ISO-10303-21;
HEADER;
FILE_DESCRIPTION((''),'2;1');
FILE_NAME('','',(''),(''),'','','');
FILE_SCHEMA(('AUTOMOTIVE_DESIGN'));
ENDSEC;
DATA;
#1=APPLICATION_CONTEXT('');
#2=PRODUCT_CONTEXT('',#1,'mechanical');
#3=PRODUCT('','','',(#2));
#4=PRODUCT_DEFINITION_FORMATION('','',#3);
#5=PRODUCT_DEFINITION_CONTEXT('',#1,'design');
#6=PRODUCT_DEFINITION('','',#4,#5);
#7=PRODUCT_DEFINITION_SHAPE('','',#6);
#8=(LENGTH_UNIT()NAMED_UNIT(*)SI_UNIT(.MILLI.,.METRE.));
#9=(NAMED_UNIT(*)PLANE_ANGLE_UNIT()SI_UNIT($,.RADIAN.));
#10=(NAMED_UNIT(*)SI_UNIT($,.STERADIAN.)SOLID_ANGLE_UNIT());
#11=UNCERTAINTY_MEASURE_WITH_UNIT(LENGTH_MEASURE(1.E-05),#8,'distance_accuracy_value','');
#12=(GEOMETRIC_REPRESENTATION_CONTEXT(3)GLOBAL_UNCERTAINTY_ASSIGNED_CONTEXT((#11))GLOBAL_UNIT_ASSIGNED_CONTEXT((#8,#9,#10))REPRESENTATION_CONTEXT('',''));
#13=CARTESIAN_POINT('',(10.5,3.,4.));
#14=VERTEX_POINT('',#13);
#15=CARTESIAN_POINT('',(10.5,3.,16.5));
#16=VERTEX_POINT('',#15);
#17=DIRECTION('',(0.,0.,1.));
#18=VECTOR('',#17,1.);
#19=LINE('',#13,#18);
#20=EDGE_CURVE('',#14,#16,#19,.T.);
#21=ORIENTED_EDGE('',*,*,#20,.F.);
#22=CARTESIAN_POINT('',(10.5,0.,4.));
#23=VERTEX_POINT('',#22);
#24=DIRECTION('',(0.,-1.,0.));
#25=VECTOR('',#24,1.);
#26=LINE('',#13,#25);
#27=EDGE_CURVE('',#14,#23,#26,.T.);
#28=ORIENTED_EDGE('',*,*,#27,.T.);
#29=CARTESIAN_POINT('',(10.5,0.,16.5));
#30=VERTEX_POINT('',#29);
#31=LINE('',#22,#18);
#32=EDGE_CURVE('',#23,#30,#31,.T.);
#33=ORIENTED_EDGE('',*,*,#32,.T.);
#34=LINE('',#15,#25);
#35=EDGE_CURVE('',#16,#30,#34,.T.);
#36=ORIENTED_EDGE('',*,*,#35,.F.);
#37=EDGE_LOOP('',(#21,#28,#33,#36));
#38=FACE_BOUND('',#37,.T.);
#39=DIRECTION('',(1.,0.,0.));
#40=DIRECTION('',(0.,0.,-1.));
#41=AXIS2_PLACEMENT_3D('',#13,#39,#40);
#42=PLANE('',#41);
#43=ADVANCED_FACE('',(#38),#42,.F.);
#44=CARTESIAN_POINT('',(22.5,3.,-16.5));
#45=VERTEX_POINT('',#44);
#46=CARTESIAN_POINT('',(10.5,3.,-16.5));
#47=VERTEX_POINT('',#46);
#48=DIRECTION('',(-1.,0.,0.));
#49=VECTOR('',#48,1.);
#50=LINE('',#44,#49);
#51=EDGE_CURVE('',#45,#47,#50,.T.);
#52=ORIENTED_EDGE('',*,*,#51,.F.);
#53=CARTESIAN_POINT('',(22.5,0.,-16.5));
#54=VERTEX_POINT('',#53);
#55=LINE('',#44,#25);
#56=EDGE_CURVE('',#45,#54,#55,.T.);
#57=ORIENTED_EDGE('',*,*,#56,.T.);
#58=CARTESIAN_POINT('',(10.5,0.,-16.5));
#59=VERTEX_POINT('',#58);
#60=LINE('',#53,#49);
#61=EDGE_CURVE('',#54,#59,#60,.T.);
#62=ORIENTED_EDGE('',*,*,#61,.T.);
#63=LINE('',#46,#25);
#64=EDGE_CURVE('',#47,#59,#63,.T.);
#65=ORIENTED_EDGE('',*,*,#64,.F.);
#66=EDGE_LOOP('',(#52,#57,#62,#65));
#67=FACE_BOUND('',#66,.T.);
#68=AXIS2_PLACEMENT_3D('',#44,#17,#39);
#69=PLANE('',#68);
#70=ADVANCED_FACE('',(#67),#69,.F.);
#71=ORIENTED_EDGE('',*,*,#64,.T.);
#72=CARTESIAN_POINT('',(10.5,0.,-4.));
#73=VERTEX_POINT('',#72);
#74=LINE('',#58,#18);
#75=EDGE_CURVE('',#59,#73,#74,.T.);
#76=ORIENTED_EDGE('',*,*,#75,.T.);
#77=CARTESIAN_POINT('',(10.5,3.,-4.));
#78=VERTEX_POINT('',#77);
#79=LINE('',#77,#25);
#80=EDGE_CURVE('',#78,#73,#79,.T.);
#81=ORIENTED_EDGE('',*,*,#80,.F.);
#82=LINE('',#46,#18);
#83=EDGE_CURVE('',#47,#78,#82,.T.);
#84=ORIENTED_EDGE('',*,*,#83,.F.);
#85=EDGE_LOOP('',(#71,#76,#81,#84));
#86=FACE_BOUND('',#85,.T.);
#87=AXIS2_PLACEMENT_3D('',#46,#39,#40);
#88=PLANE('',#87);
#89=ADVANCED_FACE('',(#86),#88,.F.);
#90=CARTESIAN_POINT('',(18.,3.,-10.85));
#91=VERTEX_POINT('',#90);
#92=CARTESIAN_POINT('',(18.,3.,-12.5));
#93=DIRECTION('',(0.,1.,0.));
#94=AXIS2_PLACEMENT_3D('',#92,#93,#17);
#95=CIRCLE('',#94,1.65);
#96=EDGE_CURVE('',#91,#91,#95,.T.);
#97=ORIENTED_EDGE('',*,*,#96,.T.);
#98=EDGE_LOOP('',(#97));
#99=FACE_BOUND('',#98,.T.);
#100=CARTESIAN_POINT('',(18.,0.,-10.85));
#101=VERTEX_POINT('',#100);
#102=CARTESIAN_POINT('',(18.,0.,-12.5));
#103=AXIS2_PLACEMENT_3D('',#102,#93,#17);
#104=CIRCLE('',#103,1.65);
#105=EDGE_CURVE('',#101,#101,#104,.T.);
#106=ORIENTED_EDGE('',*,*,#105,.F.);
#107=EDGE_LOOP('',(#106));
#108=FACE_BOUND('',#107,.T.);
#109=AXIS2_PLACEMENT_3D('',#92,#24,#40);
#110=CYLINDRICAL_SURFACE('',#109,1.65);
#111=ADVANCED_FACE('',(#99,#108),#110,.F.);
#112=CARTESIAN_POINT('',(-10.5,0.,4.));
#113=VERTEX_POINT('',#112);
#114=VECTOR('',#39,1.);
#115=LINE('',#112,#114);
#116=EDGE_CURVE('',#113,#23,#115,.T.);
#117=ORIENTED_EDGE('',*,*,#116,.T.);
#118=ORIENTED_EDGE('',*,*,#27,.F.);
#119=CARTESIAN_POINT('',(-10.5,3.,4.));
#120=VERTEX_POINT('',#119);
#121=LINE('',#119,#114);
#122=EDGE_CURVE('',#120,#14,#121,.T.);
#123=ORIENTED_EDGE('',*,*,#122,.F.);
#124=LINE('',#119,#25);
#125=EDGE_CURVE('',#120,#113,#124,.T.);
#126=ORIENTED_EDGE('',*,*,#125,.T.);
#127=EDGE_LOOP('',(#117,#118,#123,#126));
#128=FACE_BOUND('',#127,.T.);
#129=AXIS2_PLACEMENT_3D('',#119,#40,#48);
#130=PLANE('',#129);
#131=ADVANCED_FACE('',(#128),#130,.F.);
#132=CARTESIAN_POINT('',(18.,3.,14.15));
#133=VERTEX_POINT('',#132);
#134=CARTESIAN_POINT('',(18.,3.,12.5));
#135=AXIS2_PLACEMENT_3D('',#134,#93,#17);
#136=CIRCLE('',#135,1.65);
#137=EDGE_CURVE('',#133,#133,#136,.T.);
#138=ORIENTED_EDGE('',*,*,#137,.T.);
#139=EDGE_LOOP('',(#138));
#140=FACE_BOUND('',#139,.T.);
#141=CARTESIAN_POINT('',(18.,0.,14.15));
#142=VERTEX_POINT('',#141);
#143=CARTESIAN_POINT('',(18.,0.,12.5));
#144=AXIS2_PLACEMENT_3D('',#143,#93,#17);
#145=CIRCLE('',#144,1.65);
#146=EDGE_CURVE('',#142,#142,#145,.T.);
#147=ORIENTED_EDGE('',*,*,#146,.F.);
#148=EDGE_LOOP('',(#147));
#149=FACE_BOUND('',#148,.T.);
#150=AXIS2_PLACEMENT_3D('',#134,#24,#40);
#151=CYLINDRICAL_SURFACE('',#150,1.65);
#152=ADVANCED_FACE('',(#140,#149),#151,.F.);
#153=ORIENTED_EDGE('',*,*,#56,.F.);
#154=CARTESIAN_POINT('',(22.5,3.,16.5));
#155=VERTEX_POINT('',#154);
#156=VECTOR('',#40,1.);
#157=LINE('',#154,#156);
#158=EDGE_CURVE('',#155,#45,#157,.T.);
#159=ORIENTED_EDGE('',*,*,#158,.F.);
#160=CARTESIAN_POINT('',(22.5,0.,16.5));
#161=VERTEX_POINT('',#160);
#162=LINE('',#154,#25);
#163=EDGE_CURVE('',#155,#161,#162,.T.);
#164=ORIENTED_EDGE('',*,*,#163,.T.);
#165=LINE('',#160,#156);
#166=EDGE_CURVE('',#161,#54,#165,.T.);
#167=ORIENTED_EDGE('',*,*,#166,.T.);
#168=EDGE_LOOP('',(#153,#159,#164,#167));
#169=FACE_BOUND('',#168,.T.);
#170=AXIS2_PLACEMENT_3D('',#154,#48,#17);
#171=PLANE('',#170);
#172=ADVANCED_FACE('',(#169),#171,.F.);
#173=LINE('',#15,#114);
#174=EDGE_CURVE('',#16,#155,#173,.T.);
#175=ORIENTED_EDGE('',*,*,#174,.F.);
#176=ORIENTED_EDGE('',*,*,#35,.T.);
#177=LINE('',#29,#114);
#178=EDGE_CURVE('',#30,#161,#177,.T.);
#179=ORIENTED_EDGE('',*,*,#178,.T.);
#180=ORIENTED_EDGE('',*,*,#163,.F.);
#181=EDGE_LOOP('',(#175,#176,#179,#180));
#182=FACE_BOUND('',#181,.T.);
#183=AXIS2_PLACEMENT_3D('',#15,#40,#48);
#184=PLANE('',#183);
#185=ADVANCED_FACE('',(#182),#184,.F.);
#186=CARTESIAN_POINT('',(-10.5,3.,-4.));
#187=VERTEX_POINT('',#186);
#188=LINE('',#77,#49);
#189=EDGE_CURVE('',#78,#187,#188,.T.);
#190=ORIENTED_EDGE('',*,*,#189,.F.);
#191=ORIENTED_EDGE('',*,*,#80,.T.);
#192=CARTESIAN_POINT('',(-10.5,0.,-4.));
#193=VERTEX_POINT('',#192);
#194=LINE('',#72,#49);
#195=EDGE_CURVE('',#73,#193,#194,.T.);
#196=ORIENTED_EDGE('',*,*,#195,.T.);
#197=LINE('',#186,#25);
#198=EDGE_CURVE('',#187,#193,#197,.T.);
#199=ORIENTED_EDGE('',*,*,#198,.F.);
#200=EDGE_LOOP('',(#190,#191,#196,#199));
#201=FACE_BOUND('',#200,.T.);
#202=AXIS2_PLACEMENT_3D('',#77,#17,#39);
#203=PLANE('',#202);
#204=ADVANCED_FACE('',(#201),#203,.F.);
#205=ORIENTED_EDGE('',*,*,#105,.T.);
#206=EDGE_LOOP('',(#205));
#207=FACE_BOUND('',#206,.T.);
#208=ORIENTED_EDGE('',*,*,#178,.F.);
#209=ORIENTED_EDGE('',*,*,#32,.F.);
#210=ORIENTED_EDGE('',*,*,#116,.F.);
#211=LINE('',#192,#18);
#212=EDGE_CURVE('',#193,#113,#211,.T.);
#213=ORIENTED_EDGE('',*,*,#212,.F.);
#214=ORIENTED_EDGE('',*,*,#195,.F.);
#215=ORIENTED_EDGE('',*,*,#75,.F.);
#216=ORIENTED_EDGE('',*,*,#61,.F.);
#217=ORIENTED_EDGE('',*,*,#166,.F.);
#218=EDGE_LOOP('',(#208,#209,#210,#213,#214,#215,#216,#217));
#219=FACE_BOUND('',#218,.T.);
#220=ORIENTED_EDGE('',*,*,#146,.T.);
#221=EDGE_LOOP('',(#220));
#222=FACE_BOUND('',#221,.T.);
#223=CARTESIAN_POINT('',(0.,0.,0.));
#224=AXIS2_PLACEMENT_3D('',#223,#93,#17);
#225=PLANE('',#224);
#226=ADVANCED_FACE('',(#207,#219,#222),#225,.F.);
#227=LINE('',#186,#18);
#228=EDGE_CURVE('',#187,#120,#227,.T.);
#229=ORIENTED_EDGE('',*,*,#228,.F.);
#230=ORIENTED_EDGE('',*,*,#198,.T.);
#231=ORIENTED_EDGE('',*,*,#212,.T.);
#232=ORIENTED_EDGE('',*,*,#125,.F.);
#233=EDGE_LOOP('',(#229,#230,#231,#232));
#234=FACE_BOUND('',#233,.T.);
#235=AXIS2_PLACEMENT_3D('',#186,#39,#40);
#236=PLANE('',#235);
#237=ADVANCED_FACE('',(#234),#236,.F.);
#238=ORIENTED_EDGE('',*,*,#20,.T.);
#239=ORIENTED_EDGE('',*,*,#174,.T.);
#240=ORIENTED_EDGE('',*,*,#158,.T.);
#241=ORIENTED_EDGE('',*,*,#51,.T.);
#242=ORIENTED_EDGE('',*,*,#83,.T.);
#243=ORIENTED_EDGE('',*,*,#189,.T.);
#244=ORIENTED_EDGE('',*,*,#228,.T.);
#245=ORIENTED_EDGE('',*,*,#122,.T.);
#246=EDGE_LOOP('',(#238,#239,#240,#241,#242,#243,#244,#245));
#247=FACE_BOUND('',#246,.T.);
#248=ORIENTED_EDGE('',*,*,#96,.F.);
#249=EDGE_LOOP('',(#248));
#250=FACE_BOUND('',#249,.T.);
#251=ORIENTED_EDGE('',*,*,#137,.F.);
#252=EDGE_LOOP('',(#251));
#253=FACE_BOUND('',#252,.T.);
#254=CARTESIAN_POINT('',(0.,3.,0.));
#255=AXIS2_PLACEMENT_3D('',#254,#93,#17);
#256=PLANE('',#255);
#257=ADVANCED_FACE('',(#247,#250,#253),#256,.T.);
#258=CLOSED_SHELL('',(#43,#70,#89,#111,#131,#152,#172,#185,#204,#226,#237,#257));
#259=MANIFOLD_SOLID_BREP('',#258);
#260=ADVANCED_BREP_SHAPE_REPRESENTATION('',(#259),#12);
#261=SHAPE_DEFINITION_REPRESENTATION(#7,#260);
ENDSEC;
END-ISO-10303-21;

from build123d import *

# Parameters (mm, degrees)
SKETCH1_R           = 1.65
BOSS_EXTRUDE1_DEPTH = 3


with BuildPart() as part:
    # Sketch1 → Boss-Extrude1 (new body)
    with BuildSketch(Plane(origin=(0, 0, 0), x_dir=(1, 0, 0), z_dir=(0, 1, 0))):
        Polygon((-10.5, 4), (-10.5, -4), (10.5, -4), (10.5, -16.5), (22.5, -16.5), (22.5, 16.5), (10.5, 16.5), (10.5, 4), align=None)
        with Locations((18, 12.5)):
            Circle(SKETCH1_R, mode=Mode.SUBTRACT)
        with Locations((18, -12.5)):
            Circle(SKETCH1_R, mode=Mode.SUBTRACT)
    extrude(amount=BOSS_EXTRUDE1_DEPTH)


solid = part.part
